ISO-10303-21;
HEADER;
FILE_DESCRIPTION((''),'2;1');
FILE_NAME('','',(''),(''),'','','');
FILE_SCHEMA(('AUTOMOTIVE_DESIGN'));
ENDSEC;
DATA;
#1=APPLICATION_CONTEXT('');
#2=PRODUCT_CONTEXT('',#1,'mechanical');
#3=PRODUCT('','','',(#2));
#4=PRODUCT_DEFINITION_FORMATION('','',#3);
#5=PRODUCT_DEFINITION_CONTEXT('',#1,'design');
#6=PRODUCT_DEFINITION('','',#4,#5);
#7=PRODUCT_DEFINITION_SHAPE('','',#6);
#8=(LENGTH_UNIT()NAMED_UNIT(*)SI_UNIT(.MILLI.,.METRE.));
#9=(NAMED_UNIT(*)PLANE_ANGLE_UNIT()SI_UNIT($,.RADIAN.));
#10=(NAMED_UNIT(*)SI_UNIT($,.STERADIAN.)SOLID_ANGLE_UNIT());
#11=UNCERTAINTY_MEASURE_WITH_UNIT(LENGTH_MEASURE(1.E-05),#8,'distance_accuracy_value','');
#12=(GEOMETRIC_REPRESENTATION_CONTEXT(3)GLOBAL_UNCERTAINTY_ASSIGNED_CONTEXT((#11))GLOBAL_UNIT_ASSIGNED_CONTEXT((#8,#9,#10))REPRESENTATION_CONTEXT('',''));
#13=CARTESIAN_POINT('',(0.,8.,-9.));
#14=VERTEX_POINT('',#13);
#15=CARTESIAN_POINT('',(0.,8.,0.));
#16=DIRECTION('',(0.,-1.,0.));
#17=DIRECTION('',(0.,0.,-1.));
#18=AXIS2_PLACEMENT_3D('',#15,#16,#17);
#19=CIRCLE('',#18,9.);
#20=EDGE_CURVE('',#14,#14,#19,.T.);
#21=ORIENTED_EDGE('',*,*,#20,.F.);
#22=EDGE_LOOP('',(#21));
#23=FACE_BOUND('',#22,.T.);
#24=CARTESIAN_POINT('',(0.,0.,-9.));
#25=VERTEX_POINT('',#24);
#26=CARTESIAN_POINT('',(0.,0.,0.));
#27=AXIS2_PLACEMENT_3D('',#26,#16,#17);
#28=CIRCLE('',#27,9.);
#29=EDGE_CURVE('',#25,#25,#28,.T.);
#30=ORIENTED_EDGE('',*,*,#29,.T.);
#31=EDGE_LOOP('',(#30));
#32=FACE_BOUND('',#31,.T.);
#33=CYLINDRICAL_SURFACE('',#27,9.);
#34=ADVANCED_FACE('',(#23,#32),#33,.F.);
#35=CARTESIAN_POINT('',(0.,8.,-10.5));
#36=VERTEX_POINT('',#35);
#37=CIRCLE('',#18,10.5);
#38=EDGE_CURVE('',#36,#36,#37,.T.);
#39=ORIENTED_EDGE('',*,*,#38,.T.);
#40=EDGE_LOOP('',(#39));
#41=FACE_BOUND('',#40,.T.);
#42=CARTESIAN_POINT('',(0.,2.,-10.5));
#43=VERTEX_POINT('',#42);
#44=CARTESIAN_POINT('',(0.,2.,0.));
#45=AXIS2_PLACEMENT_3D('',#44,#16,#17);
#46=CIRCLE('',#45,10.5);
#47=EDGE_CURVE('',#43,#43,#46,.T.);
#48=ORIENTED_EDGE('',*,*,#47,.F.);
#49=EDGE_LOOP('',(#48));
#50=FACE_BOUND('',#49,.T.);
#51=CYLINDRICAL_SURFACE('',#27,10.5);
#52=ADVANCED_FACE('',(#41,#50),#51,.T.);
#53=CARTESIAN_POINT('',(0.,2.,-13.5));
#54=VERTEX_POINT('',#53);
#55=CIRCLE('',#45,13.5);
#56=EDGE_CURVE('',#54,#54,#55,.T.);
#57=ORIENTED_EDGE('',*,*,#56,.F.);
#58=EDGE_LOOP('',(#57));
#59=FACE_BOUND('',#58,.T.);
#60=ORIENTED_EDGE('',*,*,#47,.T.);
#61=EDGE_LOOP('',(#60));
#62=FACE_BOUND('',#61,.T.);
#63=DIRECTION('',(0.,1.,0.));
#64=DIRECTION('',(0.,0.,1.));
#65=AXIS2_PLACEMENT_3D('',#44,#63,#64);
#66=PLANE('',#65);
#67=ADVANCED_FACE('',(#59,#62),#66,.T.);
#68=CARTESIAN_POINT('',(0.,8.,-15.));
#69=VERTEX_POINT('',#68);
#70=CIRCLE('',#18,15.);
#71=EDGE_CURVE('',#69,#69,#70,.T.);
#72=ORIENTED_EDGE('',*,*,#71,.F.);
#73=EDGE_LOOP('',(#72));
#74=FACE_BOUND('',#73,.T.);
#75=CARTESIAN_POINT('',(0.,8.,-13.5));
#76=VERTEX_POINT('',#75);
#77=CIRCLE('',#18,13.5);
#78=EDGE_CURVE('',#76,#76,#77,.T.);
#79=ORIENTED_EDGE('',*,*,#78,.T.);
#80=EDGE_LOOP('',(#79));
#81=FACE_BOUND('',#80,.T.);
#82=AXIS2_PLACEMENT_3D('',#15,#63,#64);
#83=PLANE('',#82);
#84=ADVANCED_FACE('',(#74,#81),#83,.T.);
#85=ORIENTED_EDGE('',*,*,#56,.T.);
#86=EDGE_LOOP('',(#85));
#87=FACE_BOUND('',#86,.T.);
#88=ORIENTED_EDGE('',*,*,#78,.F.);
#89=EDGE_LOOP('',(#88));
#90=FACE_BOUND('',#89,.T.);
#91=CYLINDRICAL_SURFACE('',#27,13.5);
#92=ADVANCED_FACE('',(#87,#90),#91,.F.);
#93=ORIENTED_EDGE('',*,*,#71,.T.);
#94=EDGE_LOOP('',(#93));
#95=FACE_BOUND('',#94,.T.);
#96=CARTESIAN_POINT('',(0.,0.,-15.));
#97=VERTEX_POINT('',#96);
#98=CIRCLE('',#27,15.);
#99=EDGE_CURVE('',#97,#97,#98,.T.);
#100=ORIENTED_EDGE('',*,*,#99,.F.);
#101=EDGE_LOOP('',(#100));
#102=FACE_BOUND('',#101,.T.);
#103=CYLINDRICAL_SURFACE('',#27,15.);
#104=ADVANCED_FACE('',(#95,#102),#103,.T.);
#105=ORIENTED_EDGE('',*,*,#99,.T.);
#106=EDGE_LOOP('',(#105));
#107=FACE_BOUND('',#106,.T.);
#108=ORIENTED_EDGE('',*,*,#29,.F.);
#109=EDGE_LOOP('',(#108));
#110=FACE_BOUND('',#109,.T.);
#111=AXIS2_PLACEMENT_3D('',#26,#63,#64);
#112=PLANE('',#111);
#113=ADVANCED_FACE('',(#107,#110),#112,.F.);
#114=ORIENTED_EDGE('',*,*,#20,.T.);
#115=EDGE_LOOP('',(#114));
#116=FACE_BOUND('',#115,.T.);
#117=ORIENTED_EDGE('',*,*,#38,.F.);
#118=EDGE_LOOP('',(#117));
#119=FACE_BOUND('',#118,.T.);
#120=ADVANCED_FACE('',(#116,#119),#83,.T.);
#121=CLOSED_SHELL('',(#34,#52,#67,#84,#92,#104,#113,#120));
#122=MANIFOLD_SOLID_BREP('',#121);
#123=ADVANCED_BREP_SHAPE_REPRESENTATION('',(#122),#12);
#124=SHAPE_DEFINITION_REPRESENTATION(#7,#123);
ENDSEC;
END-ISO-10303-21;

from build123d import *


with BuildPart() as part:
    # 草图1 → 旋转1 (revolve)
    with BuildSketch(Plane.XY, mode=Mode.PRIVATE) as revolve_1_sk:
        Polygon((-13.5, 2), (-13.5, 8), (-15, 8), (-15, 0), (-9, 0), (-9, 8), (-10.5, 8), (-10.5, 2), align=None)
    revolve(revolve_1_sk.sketch.rotate(Axis((0, 0, 0), (0, 1, 0)), 270), axis=Axis((0, 0, 0), (0, 1, 0)))


solid = part.part
